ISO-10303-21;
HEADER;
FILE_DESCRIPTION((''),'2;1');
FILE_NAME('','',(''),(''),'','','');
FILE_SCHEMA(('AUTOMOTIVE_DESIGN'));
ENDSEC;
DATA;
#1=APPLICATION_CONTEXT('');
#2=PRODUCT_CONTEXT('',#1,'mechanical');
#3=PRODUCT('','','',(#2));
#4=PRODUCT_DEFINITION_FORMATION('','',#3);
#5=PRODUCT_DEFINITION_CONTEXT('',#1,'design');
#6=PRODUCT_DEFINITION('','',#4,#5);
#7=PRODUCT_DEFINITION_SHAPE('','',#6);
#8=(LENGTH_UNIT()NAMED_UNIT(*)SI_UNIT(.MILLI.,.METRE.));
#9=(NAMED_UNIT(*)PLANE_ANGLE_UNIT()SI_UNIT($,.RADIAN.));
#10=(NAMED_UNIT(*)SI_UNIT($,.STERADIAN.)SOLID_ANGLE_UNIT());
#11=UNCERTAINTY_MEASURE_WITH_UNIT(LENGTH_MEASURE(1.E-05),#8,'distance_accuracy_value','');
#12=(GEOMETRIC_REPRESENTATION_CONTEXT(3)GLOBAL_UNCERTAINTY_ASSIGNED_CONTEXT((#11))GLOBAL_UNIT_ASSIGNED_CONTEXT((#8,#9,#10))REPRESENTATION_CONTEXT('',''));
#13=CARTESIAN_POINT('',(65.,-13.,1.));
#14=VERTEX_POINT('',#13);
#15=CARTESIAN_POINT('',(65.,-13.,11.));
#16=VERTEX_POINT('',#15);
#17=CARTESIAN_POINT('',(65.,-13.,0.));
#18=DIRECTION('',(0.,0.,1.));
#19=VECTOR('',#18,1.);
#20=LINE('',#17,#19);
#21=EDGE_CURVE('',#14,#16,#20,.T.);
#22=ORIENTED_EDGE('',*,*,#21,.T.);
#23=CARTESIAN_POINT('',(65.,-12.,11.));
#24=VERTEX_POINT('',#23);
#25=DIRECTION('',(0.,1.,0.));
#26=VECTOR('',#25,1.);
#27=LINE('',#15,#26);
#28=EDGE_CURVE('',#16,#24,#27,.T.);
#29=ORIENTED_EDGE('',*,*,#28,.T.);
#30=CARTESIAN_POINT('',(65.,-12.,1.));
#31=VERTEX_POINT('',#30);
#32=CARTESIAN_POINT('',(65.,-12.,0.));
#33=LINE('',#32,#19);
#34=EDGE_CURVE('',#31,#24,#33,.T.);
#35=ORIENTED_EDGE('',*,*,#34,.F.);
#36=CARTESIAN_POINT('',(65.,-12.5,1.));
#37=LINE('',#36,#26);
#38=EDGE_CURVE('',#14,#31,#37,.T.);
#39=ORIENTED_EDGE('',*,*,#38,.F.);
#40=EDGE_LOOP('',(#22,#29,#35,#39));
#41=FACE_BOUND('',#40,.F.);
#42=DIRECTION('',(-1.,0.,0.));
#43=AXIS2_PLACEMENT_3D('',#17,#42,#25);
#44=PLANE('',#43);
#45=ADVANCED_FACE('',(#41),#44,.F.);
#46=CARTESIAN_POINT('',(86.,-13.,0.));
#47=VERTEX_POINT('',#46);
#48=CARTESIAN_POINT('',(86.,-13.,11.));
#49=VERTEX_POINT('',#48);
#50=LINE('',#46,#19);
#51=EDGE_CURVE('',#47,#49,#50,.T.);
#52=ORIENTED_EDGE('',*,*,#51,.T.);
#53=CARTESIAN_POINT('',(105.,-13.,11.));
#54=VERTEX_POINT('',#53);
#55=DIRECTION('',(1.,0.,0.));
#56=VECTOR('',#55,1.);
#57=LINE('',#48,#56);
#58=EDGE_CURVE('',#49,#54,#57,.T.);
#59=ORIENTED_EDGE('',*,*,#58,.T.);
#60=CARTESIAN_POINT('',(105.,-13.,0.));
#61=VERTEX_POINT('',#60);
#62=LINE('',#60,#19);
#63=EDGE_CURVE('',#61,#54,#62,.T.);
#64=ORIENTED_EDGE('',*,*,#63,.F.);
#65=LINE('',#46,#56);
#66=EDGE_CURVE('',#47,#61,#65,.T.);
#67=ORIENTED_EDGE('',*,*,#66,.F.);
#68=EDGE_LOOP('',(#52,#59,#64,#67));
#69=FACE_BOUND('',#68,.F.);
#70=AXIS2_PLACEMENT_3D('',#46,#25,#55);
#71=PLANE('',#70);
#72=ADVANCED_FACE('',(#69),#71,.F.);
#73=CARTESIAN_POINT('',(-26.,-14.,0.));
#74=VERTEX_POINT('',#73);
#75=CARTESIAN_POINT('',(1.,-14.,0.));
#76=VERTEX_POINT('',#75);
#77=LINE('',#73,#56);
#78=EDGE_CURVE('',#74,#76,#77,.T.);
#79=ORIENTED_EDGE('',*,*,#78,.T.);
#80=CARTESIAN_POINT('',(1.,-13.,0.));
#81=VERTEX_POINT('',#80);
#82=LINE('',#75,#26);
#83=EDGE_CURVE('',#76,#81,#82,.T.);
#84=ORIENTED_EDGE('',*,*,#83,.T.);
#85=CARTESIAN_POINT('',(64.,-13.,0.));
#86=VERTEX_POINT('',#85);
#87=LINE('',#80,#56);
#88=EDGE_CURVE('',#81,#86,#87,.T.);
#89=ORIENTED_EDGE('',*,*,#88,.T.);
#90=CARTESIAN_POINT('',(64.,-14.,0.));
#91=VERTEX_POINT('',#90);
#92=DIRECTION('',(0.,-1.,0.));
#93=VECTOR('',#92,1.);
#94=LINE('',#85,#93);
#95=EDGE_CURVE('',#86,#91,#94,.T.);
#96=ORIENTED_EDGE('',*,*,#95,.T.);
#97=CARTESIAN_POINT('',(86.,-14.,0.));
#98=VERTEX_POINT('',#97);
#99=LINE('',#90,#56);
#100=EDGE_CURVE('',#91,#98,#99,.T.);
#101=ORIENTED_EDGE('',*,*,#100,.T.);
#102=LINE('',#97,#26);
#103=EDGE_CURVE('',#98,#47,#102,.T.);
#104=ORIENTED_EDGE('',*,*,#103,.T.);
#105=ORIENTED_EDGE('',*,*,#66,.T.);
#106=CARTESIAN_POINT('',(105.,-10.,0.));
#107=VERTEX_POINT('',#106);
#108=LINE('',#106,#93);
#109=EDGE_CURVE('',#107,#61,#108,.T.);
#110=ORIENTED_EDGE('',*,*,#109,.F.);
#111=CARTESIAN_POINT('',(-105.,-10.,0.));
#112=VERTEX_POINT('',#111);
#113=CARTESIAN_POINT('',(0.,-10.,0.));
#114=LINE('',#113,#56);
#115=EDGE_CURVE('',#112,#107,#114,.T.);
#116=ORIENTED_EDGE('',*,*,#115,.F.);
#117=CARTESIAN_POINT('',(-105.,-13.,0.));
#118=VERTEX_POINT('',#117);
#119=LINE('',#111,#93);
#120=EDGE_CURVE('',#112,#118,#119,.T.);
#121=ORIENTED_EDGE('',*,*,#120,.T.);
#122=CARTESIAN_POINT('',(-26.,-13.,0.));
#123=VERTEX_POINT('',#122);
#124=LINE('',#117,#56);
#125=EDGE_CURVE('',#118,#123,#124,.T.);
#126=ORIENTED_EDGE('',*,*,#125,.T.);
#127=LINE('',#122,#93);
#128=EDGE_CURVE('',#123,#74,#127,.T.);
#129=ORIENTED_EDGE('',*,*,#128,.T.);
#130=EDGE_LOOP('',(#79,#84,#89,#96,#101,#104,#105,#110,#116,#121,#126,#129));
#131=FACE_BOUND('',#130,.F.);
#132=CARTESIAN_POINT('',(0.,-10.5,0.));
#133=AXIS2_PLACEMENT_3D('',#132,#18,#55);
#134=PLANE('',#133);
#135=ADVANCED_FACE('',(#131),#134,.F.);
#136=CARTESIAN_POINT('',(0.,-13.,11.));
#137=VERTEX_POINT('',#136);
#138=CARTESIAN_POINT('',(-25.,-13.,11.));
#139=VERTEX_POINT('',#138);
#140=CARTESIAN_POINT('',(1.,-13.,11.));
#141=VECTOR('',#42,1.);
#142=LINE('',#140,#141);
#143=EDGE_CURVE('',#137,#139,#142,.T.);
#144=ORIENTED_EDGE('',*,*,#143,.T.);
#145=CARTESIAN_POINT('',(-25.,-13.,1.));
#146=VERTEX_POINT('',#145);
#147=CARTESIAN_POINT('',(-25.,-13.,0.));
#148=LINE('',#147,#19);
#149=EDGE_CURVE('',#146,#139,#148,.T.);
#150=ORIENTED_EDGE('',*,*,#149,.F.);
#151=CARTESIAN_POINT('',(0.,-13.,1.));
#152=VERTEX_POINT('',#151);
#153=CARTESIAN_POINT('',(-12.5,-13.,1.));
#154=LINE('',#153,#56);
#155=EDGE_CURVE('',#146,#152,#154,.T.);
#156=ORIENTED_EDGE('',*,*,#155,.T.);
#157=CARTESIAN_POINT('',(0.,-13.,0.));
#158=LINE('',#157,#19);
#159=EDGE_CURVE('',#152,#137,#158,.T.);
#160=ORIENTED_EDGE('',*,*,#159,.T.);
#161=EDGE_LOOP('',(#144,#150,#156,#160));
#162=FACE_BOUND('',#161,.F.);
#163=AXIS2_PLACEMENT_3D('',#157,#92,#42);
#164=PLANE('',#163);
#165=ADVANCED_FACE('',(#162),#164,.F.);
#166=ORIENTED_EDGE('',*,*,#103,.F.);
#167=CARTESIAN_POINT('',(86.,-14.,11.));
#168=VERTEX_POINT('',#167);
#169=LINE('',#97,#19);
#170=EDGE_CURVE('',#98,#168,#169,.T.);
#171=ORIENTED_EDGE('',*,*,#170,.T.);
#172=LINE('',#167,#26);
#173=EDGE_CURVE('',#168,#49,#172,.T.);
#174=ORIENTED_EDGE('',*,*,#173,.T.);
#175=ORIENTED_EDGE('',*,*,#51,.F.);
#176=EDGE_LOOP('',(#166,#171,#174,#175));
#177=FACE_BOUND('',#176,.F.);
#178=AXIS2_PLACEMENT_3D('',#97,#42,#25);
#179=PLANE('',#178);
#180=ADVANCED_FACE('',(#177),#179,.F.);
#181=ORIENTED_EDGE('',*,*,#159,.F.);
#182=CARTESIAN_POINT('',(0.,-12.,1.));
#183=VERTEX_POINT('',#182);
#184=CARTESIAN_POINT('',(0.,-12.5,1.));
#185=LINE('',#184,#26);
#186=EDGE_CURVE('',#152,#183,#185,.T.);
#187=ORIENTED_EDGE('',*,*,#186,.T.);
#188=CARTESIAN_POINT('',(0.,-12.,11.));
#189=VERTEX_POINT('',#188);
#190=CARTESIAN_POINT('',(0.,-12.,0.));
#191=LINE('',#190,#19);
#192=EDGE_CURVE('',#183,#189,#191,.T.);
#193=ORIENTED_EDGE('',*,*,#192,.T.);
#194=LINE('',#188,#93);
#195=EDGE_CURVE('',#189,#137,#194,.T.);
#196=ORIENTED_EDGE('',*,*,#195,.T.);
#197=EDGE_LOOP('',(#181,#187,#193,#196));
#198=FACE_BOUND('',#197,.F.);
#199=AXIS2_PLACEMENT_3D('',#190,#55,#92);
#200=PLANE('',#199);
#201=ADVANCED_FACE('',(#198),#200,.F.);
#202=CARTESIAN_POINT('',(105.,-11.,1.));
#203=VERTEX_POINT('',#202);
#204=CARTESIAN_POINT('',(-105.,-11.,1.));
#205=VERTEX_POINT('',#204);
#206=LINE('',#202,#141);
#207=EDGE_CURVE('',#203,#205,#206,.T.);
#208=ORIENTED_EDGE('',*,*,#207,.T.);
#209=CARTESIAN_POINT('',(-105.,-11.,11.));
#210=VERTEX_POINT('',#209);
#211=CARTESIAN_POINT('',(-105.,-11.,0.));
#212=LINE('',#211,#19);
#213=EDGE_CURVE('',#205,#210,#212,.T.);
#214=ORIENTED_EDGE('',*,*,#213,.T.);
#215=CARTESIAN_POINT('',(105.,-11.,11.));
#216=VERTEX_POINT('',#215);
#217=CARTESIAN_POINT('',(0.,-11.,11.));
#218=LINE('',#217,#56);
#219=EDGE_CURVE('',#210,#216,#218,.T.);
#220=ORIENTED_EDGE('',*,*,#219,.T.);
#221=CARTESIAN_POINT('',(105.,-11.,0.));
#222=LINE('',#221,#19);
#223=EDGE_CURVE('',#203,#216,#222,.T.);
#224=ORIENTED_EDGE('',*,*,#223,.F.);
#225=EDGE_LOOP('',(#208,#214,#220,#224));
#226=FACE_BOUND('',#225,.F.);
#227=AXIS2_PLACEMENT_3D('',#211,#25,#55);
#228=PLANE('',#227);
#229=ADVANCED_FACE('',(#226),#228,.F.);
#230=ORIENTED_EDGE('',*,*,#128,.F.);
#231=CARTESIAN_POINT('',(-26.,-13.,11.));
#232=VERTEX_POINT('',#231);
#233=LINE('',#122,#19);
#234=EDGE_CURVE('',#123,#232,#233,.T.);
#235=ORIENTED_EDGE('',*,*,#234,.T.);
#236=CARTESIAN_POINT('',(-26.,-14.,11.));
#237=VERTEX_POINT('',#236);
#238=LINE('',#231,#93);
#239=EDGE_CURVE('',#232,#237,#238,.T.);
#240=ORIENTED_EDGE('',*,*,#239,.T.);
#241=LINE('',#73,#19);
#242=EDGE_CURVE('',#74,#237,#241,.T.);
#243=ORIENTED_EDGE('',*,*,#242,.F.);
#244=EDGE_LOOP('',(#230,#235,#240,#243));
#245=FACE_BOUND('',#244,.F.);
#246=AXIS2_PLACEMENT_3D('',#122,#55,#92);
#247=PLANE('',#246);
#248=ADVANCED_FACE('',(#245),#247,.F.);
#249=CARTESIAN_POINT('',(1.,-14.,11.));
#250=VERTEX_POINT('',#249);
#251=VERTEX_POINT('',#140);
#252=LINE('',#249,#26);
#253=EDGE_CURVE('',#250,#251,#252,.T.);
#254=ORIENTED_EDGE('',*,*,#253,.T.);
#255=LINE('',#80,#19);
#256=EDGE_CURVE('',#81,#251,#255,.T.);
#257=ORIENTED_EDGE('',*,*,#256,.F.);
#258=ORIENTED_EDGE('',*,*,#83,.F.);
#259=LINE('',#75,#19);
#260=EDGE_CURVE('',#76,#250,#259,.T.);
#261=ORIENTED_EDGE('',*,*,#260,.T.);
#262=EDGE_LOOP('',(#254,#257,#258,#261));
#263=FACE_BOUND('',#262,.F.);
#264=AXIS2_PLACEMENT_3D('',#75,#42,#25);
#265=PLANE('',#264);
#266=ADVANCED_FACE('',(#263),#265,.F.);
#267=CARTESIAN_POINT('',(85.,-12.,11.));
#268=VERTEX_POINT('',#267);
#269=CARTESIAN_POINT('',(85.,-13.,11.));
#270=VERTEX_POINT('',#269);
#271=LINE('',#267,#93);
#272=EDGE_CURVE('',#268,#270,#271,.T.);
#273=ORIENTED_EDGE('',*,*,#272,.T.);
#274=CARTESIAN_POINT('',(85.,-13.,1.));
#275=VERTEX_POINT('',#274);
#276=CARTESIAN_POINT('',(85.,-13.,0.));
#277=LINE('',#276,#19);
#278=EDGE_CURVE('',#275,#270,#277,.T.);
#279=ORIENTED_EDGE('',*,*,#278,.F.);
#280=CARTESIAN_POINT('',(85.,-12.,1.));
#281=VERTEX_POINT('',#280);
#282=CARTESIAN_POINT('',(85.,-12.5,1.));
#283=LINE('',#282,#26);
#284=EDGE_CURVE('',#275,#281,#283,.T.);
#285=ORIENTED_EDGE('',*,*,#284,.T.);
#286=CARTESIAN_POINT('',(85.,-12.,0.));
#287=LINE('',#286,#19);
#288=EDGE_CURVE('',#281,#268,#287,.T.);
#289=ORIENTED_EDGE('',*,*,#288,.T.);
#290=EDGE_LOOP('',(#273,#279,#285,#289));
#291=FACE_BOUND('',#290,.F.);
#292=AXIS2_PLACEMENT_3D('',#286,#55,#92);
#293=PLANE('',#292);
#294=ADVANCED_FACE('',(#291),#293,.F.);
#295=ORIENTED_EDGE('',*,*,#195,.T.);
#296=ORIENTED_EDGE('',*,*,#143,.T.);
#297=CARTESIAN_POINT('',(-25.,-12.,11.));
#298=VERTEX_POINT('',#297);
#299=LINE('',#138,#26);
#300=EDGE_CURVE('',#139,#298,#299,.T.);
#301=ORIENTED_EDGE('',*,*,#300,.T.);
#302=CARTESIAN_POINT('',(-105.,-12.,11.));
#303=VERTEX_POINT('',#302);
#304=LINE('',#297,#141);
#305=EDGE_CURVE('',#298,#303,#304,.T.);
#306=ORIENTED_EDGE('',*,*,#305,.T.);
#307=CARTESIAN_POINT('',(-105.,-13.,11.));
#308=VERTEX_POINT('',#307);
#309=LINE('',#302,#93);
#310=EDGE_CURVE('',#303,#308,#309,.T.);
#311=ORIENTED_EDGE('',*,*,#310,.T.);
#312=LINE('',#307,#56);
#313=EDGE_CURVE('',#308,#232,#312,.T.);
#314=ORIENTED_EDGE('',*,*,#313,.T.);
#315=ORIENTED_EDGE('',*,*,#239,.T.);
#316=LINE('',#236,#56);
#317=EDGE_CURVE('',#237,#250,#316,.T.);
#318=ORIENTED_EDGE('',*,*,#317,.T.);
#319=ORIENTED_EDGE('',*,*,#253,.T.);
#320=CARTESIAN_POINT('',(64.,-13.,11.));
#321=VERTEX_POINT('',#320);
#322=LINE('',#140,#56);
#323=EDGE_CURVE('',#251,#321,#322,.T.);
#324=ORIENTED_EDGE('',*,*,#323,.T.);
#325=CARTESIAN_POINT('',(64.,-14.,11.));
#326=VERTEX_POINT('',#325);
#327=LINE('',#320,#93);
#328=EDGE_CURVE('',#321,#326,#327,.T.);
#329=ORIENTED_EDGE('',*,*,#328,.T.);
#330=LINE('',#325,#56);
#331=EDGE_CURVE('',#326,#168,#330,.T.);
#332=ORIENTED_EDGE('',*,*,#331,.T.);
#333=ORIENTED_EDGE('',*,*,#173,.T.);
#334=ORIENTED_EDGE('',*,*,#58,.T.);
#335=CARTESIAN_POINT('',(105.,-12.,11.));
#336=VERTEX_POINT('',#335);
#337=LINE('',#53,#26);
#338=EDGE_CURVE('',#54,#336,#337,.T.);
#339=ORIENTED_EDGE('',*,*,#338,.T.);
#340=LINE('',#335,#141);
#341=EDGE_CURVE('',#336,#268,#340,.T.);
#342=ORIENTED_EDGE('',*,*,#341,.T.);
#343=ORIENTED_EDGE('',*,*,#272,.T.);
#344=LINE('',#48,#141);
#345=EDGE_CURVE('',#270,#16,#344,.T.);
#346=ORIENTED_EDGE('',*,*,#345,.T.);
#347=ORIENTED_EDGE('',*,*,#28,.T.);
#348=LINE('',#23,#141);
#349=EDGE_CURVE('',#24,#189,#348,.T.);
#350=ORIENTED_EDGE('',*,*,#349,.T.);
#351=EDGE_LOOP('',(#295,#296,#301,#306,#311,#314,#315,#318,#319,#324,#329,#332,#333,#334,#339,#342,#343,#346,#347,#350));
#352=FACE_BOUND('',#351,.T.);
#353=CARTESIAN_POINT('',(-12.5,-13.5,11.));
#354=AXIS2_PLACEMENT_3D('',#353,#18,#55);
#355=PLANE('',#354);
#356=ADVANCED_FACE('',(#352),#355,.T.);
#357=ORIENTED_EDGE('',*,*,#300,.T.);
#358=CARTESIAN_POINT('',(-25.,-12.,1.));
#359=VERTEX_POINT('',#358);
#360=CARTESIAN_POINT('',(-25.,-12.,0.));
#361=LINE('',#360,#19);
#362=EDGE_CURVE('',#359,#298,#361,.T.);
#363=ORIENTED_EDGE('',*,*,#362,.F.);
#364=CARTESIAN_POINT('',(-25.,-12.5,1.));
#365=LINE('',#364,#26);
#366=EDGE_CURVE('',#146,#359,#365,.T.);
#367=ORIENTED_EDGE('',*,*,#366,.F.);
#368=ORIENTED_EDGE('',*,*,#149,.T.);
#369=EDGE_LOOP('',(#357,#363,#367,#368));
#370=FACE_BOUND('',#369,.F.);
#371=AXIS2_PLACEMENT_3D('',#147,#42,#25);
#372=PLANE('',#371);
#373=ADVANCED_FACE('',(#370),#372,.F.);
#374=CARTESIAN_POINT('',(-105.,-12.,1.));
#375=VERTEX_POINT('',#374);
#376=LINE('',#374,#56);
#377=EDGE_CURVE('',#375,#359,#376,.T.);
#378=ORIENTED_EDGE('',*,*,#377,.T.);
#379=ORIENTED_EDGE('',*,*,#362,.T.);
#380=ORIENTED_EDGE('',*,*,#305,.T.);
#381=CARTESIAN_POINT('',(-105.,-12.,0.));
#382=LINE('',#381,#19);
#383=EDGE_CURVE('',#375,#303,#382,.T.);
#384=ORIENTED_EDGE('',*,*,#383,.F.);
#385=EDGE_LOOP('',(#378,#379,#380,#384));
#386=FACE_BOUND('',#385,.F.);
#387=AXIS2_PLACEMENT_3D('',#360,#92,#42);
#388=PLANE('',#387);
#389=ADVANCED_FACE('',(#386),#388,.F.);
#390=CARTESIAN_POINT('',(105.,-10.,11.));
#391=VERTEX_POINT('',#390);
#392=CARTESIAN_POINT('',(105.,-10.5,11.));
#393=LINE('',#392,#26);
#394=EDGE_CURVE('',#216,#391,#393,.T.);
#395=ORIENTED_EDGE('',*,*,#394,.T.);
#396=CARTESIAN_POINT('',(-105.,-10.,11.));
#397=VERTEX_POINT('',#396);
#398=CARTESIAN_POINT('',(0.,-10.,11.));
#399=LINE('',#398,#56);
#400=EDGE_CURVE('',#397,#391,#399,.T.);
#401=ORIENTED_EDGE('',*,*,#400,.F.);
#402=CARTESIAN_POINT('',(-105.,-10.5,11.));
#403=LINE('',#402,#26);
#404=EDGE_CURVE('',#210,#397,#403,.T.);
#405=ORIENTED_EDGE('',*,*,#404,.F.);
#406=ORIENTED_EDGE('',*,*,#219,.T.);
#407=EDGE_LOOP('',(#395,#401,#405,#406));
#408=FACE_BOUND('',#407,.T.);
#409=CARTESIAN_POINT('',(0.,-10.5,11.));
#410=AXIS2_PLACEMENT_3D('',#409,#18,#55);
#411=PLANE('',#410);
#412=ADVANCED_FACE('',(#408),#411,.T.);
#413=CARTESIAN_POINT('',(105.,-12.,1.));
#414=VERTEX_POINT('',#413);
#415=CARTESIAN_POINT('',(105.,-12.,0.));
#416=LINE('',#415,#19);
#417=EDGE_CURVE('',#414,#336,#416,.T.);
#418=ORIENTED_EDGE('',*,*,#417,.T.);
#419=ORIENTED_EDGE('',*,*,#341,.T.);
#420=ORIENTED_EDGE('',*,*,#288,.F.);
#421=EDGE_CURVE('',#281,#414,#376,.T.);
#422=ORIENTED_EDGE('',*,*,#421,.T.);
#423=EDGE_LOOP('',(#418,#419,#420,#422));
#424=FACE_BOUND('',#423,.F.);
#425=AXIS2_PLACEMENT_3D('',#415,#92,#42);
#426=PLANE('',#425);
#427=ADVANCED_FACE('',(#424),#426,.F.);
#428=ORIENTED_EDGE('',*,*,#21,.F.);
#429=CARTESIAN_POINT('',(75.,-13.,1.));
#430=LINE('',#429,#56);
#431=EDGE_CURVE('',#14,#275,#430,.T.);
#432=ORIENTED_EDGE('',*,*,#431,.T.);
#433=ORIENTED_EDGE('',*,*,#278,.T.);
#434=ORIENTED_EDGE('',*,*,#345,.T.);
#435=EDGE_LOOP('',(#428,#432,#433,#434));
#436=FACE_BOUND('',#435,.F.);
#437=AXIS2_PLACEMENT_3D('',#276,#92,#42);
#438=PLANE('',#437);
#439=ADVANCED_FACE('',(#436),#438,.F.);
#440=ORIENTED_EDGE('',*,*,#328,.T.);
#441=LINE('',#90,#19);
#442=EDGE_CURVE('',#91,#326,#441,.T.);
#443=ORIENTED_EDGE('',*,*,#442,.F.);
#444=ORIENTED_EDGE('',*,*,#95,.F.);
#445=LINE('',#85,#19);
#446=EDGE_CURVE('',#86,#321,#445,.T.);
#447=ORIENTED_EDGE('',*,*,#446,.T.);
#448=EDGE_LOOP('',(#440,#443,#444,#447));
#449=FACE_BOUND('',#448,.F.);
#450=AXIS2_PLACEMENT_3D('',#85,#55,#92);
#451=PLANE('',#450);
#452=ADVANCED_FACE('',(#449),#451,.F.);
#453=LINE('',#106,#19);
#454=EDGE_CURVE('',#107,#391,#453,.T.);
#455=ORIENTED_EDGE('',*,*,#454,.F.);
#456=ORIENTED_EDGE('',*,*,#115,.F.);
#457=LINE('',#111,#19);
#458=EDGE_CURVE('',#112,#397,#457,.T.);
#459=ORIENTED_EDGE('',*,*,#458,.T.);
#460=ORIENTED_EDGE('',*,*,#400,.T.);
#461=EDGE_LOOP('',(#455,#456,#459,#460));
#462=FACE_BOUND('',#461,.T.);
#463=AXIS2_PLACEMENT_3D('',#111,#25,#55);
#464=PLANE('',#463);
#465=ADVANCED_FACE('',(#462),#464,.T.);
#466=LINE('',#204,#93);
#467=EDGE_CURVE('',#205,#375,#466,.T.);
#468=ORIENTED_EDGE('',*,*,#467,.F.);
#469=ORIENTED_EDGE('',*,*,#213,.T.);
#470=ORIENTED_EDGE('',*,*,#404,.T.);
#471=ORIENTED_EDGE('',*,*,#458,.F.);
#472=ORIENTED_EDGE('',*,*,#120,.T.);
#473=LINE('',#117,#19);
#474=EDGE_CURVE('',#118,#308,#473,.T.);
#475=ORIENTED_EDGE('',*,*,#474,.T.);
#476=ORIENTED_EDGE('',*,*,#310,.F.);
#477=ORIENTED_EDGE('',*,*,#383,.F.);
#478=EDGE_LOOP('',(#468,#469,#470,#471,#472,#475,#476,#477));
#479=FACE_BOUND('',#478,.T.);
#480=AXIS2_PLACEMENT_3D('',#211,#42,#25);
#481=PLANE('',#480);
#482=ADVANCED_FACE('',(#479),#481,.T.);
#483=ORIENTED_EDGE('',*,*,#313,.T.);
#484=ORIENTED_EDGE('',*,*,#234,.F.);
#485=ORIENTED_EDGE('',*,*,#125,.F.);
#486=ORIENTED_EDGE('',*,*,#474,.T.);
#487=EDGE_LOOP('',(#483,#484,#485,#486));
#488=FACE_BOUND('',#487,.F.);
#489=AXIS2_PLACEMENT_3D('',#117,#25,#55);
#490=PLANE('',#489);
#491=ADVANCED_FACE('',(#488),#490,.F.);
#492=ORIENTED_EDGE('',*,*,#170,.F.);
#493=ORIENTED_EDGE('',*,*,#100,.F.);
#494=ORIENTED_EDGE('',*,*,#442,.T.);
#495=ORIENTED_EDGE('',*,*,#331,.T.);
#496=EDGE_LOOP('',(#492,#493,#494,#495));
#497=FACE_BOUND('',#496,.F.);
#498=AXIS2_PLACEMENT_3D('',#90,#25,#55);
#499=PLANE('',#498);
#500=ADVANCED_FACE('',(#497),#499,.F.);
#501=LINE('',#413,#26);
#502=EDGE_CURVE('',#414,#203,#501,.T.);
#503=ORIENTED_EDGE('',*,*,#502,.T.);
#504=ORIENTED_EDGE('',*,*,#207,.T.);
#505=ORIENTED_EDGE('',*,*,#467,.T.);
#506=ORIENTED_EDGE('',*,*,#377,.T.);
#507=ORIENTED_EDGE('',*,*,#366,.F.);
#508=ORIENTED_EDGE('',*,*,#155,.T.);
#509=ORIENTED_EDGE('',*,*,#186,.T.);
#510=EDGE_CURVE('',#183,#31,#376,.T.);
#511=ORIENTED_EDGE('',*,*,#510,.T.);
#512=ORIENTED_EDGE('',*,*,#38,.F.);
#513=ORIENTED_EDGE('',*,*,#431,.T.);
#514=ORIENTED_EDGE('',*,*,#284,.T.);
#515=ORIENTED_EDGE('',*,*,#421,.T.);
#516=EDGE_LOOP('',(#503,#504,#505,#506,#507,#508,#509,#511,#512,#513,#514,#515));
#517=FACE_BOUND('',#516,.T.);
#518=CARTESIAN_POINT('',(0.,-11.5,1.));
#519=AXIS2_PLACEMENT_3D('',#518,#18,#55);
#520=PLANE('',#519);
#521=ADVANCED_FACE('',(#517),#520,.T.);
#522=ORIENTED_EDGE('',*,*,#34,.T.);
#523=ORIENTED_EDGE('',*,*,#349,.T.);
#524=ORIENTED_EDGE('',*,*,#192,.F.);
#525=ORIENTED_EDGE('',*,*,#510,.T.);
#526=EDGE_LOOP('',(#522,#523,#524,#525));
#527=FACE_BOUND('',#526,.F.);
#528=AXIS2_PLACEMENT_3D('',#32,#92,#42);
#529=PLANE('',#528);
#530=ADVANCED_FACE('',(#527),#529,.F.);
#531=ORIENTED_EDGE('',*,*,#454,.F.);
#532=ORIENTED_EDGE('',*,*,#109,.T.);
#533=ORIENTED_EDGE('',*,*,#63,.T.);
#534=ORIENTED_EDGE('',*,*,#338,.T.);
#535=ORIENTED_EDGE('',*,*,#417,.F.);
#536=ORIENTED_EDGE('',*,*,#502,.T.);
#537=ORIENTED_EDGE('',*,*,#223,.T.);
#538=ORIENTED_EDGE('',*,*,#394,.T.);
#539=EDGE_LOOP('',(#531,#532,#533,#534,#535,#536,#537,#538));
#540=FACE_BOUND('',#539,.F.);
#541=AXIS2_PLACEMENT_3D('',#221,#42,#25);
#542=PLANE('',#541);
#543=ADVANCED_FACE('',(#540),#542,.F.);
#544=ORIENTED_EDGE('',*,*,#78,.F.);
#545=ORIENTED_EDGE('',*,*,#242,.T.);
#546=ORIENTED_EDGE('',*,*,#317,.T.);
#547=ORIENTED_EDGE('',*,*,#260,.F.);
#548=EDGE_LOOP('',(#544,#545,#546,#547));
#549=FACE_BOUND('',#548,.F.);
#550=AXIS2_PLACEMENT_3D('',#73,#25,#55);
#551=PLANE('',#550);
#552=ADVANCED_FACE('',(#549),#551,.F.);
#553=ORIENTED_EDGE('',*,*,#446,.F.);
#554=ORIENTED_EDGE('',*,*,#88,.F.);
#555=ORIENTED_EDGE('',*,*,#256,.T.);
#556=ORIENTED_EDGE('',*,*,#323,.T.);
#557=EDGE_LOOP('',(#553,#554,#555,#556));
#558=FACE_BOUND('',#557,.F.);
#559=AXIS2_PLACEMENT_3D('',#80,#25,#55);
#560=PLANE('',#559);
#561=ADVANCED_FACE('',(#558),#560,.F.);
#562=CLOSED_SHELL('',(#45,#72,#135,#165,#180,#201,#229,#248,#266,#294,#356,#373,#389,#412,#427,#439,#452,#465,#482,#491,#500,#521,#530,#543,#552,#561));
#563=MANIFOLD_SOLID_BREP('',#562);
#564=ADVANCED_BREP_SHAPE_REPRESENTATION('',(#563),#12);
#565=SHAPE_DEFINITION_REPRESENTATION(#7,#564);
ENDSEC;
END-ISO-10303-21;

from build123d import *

# Parameters (mm, degrees)
F0_W     = 20
F0_H     = 1
F0_W_2   = 25
F1_DEPTH = 1
F0_W_3   = 210
F2_DEPTH = 11


with BuildPart() as f1:
    # F0 (on Top) → F1 (new body)
    with BuildSketch(Plane.XY):
        Polygon((105, -11), (-105, -11), (-105, -12), (-25, -12), (0, -12), (65, -12), (85, -12), (105, -12), align=None)
        with Locations((75, -12.5)):
            Rectangle(F0_W, F0_H)
        with Locations((-12.5, -12.5)):
            Rectangle(F0_W_2, F0_H)
    extrude(amount=F1_DEPTH)

    # F0 (on Top) → F2 (join)
    with BuildSketch(Plane.XY):
        with Locations((0, -10.5)):
            Rectangle(F0_W_3, F0_H)
        Polygon((-25, -13), (-26, -13), (-26, -14), (1, -14), (1, -13), (0, -13), align=None)
        Polygon((-25, -12), (-105, -12), (-105, -13), (-26, -13), (-25, -13), align=None)
        Polygon((65, -12), (0, -12), (0, -13), (1, -13), (64, -13), (65, -13), align=None)
        Polygon((86, -14), (86, -13), (85, -13), (65, -13), (64, -13), (64, -14), align=None)
        Polygon((105, -13), (105, -12), (85, -12), (85, -13), (86, -13), align=None)
    extrude(amount=F2_DEPTH)


solid = f1.part
